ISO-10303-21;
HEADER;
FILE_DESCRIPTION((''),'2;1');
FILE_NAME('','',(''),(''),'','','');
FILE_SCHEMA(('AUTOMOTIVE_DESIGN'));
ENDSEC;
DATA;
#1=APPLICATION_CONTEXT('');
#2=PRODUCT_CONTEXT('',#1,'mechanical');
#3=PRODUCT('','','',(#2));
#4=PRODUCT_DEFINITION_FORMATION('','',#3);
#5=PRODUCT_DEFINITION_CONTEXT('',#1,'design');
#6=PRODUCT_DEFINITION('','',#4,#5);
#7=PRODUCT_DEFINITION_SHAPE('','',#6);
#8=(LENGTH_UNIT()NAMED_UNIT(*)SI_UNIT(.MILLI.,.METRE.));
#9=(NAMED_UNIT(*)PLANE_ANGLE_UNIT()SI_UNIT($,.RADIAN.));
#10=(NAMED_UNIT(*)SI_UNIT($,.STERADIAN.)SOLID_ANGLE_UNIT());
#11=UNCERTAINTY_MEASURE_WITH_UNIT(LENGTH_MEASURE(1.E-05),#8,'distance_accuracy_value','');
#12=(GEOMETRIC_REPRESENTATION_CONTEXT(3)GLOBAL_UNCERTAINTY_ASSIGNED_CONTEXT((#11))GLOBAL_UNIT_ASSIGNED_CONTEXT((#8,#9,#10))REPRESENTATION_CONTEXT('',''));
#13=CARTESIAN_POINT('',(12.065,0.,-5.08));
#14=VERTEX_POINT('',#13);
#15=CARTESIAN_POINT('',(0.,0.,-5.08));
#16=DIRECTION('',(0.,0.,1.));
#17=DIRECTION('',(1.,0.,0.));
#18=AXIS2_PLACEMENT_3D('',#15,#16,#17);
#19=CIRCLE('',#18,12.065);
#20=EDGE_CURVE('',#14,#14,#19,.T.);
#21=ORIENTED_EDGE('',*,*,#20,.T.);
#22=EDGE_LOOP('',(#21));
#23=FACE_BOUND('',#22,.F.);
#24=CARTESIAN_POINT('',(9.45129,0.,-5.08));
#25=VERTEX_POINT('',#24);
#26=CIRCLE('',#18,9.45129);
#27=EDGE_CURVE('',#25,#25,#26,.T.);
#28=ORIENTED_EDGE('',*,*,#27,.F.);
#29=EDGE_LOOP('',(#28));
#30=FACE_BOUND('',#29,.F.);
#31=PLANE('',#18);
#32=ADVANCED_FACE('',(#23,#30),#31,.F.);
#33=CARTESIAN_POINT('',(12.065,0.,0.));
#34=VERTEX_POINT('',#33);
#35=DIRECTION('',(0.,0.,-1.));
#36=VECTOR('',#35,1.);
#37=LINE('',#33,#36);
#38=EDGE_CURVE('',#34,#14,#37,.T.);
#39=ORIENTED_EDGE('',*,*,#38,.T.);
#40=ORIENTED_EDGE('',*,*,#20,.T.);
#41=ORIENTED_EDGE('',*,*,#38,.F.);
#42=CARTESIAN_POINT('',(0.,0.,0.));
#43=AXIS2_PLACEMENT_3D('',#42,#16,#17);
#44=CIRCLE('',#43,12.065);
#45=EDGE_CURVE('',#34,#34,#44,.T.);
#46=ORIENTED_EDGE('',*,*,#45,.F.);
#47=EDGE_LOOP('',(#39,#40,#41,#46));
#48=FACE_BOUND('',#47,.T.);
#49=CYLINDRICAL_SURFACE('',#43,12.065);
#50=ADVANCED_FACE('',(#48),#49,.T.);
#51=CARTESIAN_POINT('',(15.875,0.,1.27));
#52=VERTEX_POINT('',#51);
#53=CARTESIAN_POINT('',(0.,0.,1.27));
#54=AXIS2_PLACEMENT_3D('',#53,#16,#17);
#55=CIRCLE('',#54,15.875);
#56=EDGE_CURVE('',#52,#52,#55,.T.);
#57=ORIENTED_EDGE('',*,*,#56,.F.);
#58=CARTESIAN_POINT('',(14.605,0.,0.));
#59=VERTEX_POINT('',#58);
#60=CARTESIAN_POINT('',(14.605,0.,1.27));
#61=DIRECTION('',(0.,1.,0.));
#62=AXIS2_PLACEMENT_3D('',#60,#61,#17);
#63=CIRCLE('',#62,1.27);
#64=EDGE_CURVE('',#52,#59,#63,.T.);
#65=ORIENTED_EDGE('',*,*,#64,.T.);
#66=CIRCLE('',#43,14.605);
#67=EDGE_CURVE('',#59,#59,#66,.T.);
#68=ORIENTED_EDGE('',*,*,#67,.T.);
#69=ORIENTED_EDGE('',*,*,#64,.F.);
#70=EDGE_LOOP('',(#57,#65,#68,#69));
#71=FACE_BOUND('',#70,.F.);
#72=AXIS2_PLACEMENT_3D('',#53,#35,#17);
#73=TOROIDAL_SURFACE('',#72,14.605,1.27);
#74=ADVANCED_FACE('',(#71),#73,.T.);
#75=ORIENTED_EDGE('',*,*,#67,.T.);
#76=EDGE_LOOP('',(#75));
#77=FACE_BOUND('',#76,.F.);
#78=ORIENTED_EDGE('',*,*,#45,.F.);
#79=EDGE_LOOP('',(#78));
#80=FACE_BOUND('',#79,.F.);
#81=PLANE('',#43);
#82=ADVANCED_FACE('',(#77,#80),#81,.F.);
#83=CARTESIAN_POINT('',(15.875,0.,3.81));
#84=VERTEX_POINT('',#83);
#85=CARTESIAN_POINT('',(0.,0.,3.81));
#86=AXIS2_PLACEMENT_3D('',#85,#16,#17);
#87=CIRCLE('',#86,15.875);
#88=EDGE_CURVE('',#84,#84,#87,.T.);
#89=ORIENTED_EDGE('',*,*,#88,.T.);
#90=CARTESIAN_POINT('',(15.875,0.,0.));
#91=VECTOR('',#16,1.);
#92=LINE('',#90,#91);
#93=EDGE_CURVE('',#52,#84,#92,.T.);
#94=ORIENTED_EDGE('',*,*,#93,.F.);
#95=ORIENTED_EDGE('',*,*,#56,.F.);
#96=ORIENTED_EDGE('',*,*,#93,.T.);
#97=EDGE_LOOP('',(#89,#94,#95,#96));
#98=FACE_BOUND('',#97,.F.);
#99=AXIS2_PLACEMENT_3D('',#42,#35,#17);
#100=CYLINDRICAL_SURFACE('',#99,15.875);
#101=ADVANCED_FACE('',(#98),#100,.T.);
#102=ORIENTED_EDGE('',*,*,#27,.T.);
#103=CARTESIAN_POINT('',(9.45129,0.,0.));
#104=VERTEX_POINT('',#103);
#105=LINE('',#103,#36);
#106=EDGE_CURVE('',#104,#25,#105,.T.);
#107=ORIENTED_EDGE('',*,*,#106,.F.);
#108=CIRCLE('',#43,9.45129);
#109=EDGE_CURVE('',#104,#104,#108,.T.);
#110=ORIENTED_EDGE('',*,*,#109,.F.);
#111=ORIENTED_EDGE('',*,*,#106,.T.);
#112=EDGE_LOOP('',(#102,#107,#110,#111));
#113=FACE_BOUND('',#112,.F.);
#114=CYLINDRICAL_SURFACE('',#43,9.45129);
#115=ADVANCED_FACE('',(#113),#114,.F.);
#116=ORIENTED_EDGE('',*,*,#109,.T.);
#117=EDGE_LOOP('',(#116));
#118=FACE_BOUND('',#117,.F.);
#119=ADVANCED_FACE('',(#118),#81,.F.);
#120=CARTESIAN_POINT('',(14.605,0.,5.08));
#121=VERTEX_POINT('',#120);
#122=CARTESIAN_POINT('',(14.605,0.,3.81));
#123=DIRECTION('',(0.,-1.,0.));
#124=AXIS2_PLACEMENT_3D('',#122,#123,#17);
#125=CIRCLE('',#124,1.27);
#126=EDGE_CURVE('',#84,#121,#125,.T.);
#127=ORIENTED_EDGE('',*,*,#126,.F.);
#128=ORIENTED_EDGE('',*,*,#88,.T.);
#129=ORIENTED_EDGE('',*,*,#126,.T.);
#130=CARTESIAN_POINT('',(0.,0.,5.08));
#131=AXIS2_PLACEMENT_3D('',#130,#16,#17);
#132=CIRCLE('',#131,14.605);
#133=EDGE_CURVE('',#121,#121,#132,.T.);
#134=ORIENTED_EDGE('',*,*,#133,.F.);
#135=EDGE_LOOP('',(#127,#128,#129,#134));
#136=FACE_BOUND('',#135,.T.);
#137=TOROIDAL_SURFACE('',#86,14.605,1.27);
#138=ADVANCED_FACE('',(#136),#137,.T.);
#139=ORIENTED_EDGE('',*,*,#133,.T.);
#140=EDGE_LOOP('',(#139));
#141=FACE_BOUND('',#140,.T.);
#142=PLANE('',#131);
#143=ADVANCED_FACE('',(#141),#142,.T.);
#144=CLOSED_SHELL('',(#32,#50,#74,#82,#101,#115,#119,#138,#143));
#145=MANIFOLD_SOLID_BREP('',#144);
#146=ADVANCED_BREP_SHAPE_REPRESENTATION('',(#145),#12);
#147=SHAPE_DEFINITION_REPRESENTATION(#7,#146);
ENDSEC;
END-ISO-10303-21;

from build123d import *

# Parameters (mm, degrees)
F0_R     = 15.875
F0_R_2   = 12.065
F0_R_3   = 9.45129
F1_DEPTH = 5.08
F2_DEPTH = 5.08
F3_R     = 1.27


with BuildPart() as f1:
    # F0 (on Top) → F1 (new body)
    with BuildSketch(Plane.XY):
        Circle(F0_R)
        Circle(F0_R_2, mode=Mode.SUBTRACT)
        Circle(F0_R_2)
        Circle(F0_R_3, mode=Mode.SUBTRACT)
        Circle(F0_R_3)
    extrude(amount=F1_DEPTH)

    # F0 (on Top) → F2 (join)
    with BuildSketch(Plane.XY):
        Circle(F0_R_2)
        Circle(F0_R_3, mode=Mode.SUBTRACT)
    extrude(amount=-F2_DEPTH)

    # F3
    f3_edges = [f1.edges().sort_by_distance(p)[0] for p in [
        (-15.875, 0, 5.08),
        (-15.875, 0, 0),
    ]]
    fillet(f3_edges, radius=F3_R)


solid = f1.part
